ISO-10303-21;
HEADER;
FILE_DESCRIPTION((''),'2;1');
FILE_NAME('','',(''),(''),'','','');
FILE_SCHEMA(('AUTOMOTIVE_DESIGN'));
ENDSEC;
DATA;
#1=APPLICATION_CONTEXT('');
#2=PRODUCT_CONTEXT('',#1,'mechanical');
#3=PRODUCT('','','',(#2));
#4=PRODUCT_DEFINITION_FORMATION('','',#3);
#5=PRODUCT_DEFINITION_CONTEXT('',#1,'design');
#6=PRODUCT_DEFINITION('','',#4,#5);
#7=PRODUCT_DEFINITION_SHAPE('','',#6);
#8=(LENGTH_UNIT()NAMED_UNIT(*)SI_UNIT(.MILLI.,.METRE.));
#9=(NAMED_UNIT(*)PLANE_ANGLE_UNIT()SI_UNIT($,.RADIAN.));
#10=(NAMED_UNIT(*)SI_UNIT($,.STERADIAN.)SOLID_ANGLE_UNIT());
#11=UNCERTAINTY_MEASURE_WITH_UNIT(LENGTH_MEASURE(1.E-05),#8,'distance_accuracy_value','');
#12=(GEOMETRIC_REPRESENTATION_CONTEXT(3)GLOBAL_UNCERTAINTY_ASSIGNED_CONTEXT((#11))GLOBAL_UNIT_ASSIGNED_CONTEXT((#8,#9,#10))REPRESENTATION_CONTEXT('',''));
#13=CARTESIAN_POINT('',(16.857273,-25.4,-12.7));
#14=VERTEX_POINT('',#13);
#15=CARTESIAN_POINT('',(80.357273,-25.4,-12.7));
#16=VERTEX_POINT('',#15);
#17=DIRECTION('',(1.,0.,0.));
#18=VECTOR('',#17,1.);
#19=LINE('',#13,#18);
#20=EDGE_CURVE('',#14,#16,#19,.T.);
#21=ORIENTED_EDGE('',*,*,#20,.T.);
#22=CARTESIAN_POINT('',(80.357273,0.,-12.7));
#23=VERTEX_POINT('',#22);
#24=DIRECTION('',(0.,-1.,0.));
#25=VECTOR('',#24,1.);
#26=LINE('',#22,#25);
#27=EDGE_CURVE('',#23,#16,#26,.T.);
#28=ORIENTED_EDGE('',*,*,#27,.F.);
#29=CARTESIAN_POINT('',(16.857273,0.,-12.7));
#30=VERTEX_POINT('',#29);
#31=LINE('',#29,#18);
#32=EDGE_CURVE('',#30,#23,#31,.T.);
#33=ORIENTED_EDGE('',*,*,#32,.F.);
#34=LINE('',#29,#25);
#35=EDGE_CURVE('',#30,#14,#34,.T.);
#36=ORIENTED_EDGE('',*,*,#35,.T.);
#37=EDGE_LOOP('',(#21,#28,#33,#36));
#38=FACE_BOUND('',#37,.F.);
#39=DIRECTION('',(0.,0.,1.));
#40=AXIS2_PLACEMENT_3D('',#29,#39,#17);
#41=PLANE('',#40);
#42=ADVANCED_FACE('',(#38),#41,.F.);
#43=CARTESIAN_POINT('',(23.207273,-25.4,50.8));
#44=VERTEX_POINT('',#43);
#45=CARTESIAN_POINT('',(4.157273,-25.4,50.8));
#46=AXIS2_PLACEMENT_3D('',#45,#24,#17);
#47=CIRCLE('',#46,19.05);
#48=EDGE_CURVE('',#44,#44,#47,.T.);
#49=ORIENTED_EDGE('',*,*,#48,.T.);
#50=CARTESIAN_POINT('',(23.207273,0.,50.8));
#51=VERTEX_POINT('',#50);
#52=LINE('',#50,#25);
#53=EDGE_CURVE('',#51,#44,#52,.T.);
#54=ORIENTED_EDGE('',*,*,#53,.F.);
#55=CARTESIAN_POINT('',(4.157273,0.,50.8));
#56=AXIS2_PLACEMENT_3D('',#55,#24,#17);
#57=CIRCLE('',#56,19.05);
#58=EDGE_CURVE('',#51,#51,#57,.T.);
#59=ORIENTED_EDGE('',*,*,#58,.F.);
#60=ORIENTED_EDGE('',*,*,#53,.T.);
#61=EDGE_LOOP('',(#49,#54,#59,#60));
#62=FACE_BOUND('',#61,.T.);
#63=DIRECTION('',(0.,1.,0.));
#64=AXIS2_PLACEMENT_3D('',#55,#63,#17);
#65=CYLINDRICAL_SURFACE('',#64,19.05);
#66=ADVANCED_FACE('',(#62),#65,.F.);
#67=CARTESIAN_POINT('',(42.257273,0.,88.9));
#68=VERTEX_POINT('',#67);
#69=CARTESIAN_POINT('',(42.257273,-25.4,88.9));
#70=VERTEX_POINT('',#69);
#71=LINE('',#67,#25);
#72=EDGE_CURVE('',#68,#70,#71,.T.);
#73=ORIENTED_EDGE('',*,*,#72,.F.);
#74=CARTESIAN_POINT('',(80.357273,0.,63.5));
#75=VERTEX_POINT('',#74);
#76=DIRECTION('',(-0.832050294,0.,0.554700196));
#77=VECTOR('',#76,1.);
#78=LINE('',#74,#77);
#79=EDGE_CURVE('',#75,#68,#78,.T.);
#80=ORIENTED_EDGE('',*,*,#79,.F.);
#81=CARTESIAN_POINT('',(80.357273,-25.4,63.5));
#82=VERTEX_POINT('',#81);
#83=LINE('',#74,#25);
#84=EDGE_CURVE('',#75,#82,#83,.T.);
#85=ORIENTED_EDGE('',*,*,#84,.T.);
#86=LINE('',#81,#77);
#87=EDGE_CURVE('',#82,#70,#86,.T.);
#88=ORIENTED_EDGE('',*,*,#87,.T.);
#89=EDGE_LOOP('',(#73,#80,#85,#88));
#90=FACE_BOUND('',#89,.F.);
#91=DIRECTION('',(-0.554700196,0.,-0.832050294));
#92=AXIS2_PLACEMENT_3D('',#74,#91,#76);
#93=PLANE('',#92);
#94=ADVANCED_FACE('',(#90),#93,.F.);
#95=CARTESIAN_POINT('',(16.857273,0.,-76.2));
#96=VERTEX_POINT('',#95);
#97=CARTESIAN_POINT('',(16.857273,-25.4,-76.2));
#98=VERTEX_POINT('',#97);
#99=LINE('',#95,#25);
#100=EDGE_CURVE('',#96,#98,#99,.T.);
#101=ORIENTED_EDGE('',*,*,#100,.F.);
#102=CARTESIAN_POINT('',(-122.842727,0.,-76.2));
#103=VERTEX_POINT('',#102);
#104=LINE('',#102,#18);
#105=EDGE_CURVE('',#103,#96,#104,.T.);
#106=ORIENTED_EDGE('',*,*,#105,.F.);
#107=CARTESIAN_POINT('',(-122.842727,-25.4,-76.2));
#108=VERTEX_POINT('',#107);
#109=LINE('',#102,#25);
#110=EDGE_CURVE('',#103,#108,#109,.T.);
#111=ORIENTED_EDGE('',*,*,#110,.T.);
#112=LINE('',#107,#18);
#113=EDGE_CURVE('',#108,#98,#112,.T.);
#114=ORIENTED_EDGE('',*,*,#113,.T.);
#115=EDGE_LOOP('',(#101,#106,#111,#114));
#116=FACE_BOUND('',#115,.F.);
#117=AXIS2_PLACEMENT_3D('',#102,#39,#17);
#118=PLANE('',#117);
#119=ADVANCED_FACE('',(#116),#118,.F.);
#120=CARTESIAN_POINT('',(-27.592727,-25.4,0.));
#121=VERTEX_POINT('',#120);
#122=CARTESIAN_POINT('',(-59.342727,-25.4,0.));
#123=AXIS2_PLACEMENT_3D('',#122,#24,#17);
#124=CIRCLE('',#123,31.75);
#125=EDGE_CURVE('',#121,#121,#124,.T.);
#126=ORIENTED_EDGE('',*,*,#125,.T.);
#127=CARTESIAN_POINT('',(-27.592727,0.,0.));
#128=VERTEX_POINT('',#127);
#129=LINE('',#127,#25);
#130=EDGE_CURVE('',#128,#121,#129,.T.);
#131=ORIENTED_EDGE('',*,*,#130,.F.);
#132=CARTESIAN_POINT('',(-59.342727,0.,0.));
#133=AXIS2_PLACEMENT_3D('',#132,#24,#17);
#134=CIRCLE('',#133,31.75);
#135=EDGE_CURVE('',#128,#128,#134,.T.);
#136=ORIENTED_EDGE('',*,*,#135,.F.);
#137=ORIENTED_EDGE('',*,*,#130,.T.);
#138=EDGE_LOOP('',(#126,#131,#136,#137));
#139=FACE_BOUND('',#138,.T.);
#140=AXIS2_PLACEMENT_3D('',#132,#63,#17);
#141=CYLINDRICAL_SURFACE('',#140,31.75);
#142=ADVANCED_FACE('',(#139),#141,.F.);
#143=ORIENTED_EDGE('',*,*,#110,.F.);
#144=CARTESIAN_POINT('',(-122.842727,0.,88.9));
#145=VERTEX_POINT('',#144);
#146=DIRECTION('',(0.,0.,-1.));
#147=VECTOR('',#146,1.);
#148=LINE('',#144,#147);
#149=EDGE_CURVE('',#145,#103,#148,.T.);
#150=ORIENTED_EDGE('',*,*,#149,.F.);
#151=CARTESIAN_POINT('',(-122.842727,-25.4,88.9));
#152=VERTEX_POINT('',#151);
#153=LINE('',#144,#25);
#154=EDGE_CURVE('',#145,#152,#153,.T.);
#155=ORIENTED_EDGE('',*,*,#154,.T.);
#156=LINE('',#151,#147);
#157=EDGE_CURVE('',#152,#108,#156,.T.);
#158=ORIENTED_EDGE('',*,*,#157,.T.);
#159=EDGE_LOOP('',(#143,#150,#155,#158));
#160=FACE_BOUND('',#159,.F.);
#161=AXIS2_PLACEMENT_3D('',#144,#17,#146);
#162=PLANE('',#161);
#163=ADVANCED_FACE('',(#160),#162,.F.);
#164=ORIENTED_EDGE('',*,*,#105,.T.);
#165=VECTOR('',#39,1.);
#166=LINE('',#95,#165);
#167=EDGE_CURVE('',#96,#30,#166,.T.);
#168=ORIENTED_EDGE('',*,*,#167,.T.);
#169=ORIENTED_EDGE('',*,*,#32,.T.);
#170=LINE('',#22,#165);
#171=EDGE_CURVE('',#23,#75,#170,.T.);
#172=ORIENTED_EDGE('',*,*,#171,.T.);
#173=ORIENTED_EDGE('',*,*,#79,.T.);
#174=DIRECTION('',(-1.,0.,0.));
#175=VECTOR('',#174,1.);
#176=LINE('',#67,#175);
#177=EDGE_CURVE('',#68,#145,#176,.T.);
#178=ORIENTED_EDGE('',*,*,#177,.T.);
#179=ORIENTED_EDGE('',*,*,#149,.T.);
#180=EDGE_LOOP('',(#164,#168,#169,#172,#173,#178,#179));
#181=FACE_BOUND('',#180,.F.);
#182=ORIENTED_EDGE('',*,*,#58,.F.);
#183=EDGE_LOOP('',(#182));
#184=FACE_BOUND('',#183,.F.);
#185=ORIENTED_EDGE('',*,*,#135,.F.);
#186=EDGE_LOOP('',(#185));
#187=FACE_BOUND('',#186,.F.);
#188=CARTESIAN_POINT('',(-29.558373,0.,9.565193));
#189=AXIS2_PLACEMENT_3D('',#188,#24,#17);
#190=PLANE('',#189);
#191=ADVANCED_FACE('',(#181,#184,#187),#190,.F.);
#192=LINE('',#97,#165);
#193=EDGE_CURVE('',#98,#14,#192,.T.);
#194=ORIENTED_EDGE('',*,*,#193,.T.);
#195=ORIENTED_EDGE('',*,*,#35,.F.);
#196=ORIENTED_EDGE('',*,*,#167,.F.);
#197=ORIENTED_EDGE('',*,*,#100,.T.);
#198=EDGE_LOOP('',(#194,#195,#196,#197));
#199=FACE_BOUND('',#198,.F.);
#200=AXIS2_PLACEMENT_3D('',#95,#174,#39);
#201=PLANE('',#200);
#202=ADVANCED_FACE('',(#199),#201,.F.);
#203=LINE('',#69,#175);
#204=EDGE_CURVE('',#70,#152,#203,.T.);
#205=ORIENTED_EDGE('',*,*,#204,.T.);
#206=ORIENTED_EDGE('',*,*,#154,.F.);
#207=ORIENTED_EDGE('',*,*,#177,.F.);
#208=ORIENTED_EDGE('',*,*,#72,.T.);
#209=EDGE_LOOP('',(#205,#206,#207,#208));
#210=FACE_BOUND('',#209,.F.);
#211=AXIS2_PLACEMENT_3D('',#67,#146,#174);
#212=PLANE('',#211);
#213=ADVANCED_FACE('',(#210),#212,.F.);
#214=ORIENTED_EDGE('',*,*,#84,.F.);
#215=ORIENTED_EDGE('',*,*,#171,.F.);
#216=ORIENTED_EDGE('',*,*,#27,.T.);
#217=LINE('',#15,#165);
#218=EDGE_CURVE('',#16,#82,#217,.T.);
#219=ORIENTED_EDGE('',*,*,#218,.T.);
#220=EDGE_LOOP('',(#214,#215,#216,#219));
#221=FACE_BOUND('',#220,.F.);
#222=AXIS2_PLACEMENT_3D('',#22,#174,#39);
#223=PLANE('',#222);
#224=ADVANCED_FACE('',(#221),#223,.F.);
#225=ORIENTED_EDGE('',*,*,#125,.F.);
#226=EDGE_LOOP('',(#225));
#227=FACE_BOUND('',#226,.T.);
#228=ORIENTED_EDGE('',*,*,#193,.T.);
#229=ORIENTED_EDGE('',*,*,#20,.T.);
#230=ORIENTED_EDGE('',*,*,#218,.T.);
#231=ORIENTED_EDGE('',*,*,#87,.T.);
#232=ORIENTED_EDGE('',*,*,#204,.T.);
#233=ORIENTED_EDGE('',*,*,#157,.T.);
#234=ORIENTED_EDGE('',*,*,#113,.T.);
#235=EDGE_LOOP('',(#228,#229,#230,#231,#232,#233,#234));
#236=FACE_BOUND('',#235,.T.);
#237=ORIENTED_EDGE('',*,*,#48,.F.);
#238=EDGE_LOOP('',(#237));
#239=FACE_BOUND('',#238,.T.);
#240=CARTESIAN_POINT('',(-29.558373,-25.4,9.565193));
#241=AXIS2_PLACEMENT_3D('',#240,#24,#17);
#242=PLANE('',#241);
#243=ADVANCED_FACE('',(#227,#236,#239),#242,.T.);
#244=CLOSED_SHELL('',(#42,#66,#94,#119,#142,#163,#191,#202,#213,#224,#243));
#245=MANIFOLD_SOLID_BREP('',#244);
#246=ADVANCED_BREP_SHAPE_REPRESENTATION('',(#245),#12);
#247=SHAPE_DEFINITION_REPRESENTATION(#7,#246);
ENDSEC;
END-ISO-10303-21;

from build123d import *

# Parameters (mm, degrees)
F0_R     = 31.75
F0_R_2   = 19.05
F1_DEPTH = 25.4


with BuildPart() as f1:
    # F0 (on Front) → F1 (new body)
    with BuildSketch(Plane.XZ):
        Polygon((16.857273, -12.7), (80.357273, -12.7), (80.357273, 63.5), (42.257273, 88.9), (-122.842727, 88.9), (-122.842727, -76.2), (16.857273, -76.2), align=None)
        with Locations((-59.342727, 0)):
            Circle(F0_R, mode=Mode.SUBTRACT)
        with Locations((4.157273, 50.8)):
            Circle(F0_R_2, mode=Mode.SUBTRACT)
    extrude(amount=F1_DEPTH)


solid = f1.part
